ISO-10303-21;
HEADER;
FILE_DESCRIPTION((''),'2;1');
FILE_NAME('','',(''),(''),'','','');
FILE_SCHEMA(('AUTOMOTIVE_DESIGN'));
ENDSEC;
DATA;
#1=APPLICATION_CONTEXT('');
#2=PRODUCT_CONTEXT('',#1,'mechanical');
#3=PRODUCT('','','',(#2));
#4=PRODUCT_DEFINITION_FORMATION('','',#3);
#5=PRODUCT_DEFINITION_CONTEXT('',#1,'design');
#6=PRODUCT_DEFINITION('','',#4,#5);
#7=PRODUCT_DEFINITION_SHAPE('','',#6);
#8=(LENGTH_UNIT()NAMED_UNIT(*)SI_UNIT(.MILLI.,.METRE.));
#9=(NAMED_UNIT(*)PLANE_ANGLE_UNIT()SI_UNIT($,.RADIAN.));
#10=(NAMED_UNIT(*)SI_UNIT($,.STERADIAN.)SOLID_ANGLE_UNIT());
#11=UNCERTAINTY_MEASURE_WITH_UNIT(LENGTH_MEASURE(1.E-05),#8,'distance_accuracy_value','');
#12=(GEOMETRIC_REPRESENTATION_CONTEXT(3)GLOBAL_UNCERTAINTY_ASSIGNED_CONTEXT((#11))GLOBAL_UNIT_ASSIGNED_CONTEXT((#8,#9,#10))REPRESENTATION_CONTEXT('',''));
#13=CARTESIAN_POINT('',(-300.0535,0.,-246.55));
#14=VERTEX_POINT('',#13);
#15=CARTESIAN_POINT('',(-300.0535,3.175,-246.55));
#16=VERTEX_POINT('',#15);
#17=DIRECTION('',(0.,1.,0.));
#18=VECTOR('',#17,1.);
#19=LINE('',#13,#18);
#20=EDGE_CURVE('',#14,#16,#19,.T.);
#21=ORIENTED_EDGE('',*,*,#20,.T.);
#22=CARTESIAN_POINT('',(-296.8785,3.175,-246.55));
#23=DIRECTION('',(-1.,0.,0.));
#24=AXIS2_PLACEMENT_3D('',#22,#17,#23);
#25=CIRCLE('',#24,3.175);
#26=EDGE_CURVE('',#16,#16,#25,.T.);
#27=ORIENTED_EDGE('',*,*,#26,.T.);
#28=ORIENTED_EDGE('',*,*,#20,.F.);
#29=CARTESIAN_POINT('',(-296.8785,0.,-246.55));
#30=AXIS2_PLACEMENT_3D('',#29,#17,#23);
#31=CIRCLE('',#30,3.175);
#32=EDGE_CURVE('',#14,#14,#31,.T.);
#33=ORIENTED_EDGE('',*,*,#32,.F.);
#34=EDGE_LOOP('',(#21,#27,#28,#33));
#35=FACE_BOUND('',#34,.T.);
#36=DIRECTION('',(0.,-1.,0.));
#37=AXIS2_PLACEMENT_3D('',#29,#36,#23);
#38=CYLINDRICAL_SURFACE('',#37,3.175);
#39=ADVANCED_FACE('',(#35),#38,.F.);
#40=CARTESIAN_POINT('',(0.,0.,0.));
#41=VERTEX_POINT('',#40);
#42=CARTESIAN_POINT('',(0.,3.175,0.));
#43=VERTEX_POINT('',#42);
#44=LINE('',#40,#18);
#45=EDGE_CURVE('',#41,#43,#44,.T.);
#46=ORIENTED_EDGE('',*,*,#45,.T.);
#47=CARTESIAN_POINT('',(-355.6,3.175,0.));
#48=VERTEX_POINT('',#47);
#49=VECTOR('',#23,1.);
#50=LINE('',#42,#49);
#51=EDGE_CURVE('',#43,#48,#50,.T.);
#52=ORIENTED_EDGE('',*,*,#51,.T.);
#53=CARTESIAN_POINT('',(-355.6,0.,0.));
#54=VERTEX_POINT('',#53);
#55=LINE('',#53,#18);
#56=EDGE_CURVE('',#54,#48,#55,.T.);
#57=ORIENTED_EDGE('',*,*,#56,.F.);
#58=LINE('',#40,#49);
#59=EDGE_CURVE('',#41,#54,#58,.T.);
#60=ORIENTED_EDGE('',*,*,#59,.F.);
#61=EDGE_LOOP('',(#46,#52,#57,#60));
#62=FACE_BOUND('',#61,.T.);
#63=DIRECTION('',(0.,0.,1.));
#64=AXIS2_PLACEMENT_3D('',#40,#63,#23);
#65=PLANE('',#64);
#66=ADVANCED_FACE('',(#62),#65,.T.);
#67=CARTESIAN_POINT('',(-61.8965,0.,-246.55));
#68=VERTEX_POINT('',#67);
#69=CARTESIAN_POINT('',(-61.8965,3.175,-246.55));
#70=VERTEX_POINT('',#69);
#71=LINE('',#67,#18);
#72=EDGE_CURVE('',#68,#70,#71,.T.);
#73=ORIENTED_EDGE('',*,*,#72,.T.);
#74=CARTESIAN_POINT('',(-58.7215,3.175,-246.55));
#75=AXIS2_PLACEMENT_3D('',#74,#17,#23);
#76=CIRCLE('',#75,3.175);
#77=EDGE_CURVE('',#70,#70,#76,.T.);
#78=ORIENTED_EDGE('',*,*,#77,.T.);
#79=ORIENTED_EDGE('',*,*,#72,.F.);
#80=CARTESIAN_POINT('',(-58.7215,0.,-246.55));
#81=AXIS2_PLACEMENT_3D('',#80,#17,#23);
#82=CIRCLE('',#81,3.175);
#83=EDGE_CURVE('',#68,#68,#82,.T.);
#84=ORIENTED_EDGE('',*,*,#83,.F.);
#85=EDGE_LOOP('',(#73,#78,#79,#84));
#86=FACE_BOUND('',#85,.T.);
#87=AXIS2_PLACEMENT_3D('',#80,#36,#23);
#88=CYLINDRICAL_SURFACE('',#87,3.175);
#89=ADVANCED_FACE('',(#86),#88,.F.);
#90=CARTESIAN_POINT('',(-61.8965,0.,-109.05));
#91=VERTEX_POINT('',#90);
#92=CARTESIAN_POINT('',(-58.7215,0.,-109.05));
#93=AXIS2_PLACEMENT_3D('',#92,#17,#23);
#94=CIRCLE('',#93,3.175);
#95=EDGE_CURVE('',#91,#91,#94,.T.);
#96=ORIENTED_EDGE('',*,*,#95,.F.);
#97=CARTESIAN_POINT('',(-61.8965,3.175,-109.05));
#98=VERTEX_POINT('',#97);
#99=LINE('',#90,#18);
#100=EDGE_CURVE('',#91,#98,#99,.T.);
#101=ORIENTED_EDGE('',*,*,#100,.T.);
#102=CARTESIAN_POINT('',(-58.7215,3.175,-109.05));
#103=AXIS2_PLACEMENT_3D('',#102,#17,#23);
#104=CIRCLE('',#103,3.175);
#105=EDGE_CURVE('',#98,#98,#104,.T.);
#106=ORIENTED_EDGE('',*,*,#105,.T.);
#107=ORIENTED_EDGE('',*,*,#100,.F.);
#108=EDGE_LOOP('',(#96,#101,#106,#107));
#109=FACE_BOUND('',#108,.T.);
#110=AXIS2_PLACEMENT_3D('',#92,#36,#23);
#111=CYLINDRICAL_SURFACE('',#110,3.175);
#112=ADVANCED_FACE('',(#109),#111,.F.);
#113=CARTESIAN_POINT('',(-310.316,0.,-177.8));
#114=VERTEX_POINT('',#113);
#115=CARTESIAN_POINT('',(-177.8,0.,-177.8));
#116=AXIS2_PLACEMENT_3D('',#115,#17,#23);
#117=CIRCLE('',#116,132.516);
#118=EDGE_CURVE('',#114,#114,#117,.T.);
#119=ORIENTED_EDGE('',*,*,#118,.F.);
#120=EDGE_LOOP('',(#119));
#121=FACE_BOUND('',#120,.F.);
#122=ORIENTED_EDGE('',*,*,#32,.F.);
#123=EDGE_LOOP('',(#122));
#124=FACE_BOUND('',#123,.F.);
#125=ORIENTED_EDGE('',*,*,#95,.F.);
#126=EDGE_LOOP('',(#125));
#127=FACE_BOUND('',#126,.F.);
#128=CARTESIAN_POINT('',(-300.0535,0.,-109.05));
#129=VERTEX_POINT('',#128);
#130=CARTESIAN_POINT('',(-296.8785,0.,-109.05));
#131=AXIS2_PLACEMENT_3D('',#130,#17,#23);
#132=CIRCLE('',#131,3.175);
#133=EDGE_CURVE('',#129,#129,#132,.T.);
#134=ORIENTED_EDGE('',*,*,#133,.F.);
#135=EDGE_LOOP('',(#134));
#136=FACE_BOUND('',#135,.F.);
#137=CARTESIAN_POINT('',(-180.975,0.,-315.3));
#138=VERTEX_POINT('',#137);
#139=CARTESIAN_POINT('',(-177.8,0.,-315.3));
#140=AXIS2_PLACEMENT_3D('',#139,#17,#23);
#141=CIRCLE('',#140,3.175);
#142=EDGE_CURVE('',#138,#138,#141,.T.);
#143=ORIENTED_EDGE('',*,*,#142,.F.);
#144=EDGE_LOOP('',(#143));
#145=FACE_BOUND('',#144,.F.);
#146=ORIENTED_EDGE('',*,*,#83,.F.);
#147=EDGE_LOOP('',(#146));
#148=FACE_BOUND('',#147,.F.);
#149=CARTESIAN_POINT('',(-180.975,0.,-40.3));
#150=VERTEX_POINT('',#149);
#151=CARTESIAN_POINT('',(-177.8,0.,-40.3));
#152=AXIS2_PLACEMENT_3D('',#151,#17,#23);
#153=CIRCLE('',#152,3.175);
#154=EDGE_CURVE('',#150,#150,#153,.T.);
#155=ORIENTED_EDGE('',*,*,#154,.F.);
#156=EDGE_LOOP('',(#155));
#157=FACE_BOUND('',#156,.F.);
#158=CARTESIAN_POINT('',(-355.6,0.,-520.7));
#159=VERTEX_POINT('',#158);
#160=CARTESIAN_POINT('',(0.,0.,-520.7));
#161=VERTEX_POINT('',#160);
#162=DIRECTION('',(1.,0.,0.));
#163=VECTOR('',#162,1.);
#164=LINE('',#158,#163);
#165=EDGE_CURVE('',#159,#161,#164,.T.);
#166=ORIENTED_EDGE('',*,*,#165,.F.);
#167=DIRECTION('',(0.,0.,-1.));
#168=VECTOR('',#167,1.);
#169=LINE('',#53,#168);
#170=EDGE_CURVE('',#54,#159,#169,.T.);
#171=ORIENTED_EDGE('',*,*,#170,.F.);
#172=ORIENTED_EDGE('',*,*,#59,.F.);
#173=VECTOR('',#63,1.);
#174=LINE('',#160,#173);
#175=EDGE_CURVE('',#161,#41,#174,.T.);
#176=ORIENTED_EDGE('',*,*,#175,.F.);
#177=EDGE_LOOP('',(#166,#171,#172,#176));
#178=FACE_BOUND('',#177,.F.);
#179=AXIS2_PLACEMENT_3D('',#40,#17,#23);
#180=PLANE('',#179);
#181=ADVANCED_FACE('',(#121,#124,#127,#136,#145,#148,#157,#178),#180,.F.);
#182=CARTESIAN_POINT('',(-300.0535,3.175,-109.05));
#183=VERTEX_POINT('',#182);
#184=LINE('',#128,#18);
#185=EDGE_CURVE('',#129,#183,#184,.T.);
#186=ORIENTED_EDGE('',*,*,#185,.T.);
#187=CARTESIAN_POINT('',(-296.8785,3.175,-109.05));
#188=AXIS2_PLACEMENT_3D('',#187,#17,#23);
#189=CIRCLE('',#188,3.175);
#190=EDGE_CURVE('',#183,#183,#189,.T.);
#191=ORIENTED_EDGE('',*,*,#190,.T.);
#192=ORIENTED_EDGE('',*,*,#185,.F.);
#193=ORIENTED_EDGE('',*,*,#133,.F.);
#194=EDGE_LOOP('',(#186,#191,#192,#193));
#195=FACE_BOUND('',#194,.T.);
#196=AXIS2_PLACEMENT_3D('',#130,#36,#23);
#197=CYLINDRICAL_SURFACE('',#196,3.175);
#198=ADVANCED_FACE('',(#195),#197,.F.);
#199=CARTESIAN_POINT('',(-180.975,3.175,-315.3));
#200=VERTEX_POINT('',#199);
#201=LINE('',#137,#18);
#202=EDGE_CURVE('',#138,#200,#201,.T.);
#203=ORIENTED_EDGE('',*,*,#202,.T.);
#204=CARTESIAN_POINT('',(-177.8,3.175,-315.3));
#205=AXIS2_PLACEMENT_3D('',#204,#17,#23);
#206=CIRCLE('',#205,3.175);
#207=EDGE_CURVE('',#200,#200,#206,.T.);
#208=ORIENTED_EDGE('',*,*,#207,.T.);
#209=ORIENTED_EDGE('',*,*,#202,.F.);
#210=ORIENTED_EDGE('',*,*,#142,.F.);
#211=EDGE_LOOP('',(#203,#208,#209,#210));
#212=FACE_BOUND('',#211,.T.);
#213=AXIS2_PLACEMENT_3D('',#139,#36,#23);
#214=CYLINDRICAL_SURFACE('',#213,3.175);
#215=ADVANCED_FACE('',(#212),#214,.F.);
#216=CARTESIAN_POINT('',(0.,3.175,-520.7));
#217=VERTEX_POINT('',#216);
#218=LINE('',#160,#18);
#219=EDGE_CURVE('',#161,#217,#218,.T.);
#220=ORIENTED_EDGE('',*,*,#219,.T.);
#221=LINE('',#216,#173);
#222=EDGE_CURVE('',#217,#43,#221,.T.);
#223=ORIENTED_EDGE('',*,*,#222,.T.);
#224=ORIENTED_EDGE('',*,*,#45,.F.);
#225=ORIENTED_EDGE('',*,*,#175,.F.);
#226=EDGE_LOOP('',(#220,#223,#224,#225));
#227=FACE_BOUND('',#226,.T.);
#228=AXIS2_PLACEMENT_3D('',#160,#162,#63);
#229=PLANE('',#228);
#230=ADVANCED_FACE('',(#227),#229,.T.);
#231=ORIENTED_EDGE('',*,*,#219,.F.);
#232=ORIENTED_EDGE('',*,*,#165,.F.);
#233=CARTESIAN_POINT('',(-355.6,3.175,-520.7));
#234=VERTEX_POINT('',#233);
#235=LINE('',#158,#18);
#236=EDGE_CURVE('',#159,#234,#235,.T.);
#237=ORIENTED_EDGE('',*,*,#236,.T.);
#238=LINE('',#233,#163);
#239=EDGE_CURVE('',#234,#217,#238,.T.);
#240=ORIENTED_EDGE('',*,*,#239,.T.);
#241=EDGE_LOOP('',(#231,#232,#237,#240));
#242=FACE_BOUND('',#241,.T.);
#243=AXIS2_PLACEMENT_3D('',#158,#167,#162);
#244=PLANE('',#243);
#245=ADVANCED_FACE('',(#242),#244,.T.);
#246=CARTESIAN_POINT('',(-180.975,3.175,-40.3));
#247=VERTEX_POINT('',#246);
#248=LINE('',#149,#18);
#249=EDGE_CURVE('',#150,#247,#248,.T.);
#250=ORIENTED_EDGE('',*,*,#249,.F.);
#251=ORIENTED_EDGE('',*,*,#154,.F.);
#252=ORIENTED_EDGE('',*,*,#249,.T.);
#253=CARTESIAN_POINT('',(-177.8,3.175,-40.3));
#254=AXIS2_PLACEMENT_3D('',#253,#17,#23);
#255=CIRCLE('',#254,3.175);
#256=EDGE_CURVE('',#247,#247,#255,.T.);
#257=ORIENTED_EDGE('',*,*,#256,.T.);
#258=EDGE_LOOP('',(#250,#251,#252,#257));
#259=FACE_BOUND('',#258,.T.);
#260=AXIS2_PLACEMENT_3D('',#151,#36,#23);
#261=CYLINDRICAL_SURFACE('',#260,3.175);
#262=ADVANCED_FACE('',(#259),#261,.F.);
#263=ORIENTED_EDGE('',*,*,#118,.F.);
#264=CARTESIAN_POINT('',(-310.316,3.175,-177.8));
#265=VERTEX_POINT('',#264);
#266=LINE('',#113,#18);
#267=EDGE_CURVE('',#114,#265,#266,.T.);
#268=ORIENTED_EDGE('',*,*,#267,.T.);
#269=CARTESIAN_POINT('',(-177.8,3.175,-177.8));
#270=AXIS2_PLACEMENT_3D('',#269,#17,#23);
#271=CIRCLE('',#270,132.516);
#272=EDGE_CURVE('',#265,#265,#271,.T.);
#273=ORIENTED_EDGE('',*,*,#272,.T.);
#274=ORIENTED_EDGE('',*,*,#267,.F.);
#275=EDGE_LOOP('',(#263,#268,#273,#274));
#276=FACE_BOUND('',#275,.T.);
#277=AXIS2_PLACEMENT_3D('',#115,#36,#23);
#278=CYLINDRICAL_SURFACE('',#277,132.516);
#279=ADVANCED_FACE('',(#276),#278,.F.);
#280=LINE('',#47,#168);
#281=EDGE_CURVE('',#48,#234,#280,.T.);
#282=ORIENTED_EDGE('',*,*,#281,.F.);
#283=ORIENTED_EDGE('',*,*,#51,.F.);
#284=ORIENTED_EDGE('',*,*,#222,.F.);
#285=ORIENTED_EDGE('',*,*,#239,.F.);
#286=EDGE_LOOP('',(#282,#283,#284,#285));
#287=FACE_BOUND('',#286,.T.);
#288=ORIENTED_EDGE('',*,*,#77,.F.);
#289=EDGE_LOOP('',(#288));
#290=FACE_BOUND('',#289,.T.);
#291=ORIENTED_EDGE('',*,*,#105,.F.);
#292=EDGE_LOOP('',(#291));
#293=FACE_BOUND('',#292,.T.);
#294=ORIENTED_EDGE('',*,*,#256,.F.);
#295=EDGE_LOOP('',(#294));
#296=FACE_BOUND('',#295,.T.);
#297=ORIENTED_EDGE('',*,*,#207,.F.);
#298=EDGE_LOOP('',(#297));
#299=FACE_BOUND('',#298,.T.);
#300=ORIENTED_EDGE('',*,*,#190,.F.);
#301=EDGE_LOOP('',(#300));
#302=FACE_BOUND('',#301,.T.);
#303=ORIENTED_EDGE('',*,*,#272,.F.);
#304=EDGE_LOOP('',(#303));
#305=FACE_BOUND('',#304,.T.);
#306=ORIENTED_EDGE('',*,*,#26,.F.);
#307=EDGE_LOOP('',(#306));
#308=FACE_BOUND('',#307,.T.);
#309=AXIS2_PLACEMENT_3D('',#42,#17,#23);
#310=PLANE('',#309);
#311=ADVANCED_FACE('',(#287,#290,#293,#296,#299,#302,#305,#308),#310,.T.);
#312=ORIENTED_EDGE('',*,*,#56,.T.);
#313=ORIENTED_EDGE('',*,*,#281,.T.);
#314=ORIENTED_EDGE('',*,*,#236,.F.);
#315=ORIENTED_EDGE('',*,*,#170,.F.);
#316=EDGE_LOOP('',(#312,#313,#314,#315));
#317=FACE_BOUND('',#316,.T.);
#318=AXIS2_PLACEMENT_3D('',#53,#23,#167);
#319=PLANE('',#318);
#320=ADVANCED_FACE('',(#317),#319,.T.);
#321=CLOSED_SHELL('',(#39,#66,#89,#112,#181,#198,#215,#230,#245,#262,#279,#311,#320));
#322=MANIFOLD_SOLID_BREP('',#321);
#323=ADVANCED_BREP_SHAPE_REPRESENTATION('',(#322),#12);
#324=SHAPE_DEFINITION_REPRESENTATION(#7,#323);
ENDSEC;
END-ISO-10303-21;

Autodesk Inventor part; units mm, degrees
ref_plane "YZ Plane" through (0, 0, 0) normal (1, 0, 0) x (0, 1, 0)
ref_plane "XZ Plane" through (0, 0, 0) normal (0, 1, 0) x (-1, 0, 0)
ref_plane "XY Plane" through (0, 0, 0) normal (0, 0, 1) x (1, 0, 0)
sketch "Sketch1" plane through (0, 0, 0) normal (0, 1, 0) x (-1, 0, 0)
  line L0 (0, 0) -> (355.6, 0)
  line L1 (355.6, 0) -> (355.6, -520.7)
  line L2 (355.6, -520.7) -> (0, -520.7)
  line L3 (0, -520.7) -> (0, 0)
  circle A0 centre (177.8, -177.8) radius 132.516
  circle A1 centre (177.8, -315.3) radius 3.175
  circle A2 centre (296.8785, -246.55) radius 3.175
  circle A3 centre (296.8785, -109.05) radius 3.175
  circle A4 centre (177.8, -40.3) radius 3.175
  circle A5 centre (58.7215, -109.05) radius 3.175
  circle A6 centre (58.7215, -246.55) radius 3.175
  line L4 (177.8, -177.8) -> (330.2, -177.8) construction
  line L5 (177.8, -177.8) -> (309.7823, -254) construction
  point P0 (177.8, -520.7)
  point P1 (355.6, -260.35)
  dimension "d0" = 355.6
  dimension "d1" = 520.7
  dimension "d2" = 265.032
  dimension "d5" = 177.8
  dimension "d6" = 6.35
  dimension "d7" = 137.5
  dimension "d10" = 360
  dimension "d17" = 152.4
  dimension "d18" = 152.4
  dimension "d19" = 30
  dimension "d22" = 177.8
extrude "Extrusion1" add sketch "Sketch1" along normal blind 3.175
properties part number "TurnTabletBasePlate"
